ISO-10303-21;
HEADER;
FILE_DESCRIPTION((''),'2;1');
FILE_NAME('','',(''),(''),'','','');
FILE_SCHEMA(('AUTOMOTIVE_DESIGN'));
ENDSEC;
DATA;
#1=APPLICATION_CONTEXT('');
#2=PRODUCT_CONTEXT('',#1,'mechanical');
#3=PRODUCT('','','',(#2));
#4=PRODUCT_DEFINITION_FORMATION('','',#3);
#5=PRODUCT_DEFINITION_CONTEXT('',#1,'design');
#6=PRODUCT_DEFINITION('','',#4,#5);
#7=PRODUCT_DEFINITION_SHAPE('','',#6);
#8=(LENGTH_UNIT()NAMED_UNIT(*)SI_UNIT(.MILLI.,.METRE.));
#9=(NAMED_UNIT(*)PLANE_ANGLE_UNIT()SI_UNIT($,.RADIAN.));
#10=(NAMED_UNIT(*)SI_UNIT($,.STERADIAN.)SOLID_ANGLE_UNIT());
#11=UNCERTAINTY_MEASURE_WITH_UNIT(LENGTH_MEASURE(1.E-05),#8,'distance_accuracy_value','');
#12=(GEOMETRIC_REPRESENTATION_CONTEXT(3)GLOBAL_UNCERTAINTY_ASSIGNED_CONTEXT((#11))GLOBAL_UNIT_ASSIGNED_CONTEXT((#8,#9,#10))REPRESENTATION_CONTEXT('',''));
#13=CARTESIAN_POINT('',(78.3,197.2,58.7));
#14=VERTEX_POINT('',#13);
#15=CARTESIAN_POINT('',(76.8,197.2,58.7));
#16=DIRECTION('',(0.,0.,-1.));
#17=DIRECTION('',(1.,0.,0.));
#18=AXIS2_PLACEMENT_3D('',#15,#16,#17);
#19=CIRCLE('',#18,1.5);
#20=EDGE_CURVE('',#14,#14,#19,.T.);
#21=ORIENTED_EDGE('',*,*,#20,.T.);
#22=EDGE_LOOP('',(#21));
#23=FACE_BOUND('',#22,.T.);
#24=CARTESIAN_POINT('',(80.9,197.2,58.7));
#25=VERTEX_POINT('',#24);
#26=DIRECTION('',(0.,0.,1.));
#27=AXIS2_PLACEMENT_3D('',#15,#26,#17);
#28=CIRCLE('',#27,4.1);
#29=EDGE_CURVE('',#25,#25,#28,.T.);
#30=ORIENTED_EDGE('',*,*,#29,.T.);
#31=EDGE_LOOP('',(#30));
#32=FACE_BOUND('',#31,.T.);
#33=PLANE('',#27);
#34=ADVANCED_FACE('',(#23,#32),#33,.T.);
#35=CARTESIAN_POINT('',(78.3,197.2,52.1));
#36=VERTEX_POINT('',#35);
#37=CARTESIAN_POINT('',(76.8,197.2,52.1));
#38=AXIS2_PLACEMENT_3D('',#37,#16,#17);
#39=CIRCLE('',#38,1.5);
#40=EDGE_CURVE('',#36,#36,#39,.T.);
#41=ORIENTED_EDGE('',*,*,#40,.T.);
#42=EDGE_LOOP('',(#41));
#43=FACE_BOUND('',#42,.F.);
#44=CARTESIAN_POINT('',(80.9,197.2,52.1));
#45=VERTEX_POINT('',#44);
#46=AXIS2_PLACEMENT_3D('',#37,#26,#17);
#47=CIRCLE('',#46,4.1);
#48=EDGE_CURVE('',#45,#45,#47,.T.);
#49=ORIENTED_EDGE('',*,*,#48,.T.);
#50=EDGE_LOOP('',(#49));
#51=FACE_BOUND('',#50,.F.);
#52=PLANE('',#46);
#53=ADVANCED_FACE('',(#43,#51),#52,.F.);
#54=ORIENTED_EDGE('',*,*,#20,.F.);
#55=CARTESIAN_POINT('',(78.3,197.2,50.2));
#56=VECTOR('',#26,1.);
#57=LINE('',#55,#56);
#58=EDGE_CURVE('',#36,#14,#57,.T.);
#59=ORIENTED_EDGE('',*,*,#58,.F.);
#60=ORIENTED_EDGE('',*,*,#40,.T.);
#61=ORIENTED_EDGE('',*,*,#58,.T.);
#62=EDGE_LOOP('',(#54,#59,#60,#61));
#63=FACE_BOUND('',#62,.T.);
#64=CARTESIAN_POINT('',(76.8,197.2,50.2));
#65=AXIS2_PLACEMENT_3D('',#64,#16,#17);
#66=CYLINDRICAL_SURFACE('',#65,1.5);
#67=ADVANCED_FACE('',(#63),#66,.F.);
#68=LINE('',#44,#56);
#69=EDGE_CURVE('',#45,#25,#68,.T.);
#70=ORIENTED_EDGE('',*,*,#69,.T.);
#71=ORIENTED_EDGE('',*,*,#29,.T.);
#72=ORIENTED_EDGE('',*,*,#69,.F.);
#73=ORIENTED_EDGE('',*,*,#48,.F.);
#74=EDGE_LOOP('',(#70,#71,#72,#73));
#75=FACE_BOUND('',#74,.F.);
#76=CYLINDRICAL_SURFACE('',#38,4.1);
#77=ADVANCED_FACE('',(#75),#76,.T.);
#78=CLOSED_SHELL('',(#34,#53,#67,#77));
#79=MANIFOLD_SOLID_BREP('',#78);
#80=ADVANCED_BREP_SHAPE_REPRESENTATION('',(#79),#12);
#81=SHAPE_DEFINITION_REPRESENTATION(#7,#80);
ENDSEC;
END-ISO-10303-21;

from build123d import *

# Parameters (mm, degrees)
CYLINDER220_R     = 1.5
CYLINDER220_DEPTH = 10
CYLINDER093_R     = 4.1
CYLINDER093_DEPTH = 6.6


with BuildPart() as cylinder220:
    # Cylinder220 → Cylinder220 (new body)
    with BuildSketch(Plane.XY.offset(-1.9)):
        Circle(CYLINDER220_R)
    extrude(amount=CYLINDER220_DEPTH)


with BuildPart() as cut006:
    # Cylinder093 → Cylinder093 (new body)
    with BuildSketch(Plane.XY):
        Circle(CYLINDER093_R)
    extrude(amount=CYLINDER093_DEPTH)

    # Cut006: cut Cylinder220
    add(cylinder220.part, mode=Mode.SUBTRACT)


with BuildPart() as cut006_1:
    # Cut006 placement: moved
    add(cut006.part.moved(Location((76.8, 197.2, 52.1))))


solid = cut006_1.part
